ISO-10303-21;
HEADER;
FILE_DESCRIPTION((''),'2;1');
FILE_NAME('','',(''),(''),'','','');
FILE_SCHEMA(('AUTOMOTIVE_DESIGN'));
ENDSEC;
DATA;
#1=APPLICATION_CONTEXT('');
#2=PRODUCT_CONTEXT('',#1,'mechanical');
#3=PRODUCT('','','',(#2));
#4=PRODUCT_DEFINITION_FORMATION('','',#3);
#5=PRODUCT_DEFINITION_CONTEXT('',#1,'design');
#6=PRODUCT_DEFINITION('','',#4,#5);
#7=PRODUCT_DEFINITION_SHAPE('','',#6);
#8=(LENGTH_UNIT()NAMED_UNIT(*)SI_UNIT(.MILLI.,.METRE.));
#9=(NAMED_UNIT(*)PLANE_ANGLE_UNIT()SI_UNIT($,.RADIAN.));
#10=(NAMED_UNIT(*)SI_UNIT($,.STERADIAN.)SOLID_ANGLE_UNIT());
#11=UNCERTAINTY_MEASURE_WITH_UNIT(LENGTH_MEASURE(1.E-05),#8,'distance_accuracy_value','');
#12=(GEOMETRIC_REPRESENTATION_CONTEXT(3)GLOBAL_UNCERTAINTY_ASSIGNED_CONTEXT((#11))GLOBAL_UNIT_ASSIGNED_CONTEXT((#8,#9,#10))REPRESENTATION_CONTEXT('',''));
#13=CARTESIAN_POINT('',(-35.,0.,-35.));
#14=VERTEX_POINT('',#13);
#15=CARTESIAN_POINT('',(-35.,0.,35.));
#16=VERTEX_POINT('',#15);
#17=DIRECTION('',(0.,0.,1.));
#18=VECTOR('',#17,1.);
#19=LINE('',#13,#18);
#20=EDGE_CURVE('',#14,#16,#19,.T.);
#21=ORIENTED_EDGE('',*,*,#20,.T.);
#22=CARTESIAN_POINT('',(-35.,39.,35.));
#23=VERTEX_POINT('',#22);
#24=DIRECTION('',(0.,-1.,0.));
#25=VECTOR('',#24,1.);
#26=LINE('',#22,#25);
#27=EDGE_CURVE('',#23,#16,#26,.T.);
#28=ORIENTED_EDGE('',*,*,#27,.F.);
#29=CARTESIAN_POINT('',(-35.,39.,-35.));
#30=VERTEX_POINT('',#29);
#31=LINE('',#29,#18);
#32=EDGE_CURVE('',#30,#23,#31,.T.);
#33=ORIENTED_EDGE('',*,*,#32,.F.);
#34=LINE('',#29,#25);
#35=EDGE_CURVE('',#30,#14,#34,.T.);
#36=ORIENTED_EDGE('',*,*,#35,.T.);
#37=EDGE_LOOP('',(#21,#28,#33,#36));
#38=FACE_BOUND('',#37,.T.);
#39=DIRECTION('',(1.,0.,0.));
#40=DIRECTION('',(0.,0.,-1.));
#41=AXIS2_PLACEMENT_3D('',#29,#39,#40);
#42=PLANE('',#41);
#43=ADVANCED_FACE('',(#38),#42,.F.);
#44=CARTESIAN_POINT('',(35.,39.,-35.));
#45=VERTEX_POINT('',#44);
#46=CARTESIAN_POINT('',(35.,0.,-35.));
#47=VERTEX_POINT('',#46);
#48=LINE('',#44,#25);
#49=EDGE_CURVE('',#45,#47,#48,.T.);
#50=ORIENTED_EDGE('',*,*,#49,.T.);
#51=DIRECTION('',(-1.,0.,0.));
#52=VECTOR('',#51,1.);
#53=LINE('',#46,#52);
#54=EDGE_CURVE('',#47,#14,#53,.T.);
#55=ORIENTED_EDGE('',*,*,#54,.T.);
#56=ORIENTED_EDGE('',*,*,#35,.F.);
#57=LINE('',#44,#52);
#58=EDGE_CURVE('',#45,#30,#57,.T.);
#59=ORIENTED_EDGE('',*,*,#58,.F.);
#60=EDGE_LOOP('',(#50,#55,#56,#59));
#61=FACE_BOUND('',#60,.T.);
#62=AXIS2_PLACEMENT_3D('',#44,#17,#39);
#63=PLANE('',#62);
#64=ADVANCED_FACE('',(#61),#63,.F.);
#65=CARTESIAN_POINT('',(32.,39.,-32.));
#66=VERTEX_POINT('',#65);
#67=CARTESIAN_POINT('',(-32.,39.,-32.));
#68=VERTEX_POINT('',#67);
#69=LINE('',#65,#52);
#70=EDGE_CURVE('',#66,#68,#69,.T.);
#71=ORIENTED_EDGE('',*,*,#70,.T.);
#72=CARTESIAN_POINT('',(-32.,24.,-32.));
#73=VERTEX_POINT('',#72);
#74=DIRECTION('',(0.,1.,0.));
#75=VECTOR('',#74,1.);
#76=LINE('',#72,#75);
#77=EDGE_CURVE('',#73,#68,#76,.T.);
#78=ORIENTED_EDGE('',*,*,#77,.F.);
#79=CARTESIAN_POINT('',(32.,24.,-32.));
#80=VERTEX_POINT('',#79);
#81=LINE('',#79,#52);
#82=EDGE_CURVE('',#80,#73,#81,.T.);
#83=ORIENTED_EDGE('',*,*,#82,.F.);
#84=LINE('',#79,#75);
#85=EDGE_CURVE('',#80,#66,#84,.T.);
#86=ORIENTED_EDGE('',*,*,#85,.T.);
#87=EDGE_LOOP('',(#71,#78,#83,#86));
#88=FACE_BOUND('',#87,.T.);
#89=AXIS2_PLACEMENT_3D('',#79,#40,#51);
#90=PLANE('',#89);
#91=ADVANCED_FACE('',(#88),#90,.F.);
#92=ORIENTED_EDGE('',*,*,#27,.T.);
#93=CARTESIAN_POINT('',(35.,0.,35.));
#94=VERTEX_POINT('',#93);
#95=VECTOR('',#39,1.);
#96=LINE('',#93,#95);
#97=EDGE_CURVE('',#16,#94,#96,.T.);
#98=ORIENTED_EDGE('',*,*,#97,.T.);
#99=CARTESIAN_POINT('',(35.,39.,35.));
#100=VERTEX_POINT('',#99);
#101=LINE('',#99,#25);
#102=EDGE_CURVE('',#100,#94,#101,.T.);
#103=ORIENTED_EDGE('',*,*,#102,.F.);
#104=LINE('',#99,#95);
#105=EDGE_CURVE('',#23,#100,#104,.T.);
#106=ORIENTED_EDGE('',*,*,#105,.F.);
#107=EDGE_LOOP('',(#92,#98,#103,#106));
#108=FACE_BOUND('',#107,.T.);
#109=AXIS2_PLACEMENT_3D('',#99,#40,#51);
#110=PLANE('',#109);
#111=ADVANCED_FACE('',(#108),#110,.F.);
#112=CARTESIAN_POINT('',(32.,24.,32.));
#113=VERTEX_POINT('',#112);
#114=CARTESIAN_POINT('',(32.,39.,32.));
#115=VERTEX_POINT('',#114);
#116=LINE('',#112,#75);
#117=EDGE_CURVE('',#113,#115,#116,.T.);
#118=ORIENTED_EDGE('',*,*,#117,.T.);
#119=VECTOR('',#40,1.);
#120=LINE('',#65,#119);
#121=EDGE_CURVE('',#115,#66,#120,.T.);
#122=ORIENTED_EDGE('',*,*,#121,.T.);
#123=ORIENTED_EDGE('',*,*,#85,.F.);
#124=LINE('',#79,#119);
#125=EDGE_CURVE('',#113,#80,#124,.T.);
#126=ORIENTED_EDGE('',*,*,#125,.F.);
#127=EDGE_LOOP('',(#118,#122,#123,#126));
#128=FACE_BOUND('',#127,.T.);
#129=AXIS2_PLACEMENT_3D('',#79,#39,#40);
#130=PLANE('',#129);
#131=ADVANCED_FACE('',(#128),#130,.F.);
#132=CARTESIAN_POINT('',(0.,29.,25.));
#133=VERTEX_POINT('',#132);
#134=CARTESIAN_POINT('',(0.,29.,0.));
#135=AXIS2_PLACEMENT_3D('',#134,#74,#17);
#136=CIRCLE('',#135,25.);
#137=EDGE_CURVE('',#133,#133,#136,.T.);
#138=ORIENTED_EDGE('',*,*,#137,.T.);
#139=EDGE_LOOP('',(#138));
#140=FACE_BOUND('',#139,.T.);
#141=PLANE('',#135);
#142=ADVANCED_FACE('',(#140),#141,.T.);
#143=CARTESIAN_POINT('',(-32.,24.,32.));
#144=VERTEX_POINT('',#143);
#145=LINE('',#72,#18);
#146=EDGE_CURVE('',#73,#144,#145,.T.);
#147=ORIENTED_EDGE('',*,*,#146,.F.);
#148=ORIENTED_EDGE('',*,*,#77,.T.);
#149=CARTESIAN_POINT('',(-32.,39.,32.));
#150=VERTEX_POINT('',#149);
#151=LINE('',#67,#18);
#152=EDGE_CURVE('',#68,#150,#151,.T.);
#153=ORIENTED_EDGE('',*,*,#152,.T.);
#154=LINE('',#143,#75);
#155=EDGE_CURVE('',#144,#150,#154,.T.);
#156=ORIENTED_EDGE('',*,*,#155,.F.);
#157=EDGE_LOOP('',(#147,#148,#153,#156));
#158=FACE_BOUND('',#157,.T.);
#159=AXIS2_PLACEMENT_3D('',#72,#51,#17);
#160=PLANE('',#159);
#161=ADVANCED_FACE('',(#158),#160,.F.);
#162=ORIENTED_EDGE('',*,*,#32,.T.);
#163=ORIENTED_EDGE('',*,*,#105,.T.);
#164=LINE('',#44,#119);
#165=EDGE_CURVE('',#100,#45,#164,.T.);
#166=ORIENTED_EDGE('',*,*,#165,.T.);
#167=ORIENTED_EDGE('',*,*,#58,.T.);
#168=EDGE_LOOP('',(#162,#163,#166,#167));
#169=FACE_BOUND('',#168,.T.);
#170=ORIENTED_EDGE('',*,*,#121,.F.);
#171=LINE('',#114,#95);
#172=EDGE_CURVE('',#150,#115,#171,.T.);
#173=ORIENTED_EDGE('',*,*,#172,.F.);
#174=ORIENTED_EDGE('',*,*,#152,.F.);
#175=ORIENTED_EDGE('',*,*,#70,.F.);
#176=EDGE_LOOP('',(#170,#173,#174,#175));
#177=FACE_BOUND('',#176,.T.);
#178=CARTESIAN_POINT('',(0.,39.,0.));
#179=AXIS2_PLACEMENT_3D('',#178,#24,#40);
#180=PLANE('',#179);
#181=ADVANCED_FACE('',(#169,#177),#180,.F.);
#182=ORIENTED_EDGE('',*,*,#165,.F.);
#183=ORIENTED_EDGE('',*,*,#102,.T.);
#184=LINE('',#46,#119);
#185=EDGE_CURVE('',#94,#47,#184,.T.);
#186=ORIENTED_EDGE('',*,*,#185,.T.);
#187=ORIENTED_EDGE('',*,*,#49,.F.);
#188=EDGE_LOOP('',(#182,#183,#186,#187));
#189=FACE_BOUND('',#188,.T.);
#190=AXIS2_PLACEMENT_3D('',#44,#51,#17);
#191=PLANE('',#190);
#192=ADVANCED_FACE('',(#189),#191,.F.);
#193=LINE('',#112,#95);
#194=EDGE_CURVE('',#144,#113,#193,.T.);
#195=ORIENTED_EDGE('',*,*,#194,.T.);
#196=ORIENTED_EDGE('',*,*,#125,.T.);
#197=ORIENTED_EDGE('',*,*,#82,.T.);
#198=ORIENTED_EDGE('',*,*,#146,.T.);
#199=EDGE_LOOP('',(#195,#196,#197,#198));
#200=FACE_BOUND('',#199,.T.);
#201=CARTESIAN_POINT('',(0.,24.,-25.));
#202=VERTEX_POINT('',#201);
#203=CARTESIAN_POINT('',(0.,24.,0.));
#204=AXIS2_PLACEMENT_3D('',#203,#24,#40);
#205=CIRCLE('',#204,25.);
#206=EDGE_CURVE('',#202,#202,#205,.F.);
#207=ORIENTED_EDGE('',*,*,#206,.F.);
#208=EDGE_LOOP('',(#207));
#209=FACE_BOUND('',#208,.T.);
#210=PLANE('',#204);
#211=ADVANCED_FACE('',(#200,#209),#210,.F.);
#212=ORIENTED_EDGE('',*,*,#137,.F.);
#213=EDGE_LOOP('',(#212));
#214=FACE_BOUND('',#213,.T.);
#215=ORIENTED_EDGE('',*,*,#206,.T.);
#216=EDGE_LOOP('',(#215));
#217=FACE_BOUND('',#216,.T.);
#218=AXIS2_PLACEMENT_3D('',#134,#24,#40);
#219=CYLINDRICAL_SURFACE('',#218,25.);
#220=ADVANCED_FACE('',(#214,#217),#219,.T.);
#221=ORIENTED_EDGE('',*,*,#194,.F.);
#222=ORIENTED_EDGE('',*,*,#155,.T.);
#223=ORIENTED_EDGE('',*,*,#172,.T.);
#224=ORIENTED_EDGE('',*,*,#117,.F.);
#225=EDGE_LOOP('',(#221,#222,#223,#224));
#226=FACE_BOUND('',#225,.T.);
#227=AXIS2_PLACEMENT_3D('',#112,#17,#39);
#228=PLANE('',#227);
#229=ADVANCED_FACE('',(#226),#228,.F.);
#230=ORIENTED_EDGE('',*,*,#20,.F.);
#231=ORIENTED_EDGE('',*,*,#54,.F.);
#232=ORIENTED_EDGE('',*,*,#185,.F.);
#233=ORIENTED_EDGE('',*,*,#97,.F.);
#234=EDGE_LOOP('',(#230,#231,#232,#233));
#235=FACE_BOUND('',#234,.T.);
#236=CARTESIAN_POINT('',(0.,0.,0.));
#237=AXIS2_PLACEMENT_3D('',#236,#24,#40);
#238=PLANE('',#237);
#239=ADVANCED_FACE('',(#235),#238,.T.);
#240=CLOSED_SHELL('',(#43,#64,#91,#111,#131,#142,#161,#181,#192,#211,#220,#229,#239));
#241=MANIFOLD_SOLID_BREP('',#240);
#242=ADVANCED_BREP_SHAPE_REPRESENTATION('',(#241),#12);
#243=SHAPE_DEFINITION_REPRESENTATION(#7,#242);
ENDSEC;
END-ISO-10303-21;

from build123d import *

# Parameters (mm, degrees)
SKETCH1_W           = 70
SKETCH1_H           = 70
BOSS_EXTRUDE1_DEPTH = 39
SKETCH2_W           = 64
SKETCH2_H           = 64
CUT_EXTRUDE1_DEPTH  = 15
SKETCH3_R           = 25
BOSS_EXTRUDE2_DEPTH = 5


with BuildPart() as part:
    # Sketch1 → Boss-Extrude1 (new body)
    with BuildSketch(Plane(origin=(0, 0, 0), x_dir=(1, 0, 0), z_dir=(0, 1, 0))):
        Rectangle(SKETCH1_W, SKETCH1_H)
    extrude(amount=BOSS_EXTRUDE1_DEPTH)

    # Sketch2 → Cut-Extrude1 (cut)
    with BuildSketch(Plane(origin=(0, 39, 0), x_dir=(1, 0, 0), z_dir=(0, 1, 0))):
        Rectangle(SKETCH2_W, SKETCH2_H)
    extrude(amount=-CUT_EXTRUDE1_DEPTH, mode=Mode.SUBTRACT)

    # Sketch3 → Boss-Extrude2 (add)
    with BuildSketch(Plane(origin=(0, 24, 0), x_dir=(1, 0, 0), z_dir=(0, 1, 0))):
        with Locations(Location((0, 0, 0), (0, 0, 90))):
            Circle(SKETCH3_R)
    extrude(amount=BOSS_EXTRUDE2_DEPTH)


solid = part.part
